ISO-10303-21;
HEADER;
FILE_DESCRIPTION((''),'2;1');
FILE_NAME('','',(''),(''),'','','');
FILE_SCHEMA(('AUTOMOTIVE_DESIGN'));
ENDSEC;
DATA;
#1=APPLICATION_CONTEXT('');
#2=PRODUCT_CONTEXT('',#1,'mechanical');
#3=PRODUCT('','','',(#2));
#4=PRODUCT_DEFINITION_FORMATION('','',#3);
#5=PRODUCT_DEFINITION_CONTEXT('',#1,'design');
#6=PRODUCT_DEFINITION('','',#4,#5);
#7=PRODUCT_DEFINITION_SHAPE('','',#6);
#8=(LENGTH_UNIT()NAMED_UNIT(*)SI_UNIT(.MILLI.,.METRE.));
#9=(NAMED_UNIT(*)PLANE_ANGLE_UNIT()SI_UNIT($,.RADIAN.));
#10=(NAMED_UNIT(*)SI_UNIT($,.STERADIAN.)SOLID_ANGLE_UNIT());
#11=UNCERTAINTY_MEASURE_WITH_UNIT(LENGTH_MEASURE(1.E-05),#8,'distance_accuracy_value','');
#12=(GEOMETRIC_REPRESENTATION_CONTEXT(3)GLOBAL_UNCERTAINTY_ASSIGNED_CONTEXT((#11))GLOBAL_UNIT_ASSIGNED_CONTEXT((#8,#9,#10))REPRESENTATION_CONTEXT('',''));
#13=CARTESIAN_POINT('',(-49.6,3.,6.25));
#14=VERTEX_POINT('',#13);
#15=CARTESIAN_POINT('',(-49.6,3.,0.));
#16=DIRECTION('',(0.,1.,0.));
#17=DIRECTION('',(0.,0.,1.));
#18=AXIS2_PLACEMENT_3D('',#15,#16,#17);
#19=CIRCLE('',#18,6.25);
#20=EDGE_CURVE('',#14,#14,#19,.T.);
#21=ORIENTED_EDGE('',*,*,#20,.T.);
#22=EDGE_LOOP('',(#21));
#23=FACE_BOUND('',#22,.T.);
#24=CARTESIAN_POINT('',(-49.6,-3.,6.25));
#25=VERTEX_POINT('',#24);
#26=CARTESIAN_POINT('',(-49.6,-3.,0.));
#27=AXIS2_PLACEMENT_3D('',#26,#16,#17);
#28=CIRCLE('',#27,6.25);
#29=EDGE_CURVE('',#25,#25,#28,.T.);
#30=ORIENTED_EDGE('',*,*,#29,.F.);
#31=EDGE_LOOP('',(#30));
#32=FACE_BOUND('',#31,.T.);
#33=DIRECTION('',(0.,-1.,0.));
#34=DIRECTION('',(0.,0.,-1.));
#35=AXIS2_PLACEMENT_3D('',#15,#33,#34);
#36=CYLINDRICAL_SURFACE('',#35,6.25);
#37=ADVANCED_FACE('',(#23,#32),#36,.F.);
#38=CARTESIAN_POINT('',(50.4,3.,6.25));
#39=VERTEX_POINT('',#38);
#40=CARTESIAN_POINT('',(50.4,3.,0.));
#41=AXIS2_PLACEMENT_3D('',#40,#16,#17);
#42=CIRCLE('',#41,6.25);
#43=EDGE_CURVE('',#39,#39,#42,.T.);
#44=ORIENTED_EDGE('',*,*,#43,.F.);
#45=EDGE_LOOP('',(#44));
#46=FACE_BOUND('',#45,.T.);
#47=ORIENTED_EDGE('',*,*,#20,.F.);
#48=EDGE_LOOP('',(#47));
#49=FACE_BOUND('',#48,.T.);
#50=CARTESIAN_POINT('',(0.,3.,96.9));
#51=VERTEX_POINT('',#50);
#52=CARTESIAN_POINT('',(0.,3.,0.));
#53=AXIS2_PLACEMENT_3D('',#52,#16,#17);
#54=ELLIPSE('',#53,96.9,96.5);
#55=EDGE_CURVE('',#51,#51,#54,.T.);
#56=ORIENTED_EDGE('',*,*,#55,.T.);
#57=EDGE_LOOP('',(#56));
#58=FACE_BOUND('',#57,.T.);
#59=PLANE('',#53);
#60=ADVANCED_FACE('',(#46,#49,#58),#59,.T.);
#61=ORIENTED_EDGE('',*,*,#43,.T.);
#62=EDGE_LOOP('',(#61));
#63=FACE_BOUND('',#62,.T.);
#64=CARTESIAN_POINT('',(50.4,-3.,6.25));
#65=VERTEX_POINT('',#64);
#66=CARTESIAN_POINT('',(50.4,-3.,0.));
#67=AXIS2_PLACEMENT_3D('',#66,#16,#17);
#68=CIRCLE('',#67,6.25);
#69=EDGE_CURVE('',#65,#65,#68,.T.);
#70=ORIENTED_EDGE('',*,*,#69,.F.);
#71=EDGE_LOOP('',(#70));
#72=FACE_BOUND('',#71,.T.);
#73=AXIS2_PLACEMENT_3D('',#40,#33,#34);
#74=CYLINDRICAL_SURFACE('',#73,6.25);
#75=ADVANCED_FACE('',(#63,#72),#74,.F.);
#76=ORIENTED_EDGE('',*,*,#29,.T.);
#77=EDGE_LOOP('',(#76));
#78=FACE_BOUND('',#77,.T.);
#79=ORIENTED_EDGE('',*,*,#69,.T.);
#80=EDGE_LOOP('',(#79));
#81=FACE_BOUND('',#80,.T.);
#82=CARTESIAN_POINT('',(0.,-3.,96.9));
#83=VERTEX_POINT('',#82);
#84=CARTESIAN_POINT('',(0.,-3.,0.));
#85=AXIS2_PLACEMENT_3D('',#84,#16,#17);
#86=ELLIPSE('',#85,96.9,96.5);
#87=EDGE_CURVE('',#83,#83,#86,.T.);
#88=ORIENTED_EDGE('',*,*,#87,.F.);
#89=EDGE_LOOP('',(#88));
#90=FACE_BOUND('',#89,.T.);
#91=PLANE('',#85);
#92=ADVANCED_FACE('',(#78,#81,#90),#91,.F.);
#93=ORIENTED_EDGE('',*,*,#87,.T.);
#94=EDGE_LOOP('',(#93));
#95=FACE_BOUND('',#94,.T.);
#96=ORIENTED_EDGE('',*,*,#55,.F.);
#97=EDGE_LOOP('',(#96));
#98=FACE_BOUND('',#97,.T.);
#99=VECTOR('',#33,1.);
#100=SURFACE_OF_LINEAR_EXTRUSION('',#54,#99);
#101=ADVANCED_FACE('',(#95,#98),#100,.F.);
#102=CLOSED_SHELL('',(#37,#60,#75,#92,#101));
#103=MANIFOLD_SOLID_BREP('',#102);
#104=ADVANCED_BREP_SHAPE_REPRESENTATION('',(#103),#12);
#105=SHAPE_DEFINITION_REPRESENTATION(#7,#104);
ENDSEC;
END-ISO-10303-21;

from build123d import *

# Parameters (mm, degrees)
SKETCH1_RX          = 96.9
SKETCH1_RY          = 96.5
SKETCH1_R           = 6.25
BOSS_EXTRUDE1_DEPTH = 3


with BuildPart() as part:
    # Sketch1 → Boss-Extrude1 (new, symmetric)
    with BuildSketch(Plane(origin=(0, 0, 0), x_dir=(1, 0, 0), z_dir=(0, 1, 0))):
        with Locations(Location((0, 0), (0, 0, -90))):
            Ellipse(SKETCH1_RX, SKETCH1_RY)
        with Locations(Location((-49.6, 0, 0), (0, 0, 270))):
            Circle(SKETCH1_R, mode=Mode.SUBTRACT)
        with Locations(Location((50.4, 0, 0), (0, 0, 270))):
            Circle(SKETCH1_R, mode=Mode.SUBTRACT)
    extrude(amount=BOSS_EXTRUDE1_DEPTH, both=True)


solid = part.part
